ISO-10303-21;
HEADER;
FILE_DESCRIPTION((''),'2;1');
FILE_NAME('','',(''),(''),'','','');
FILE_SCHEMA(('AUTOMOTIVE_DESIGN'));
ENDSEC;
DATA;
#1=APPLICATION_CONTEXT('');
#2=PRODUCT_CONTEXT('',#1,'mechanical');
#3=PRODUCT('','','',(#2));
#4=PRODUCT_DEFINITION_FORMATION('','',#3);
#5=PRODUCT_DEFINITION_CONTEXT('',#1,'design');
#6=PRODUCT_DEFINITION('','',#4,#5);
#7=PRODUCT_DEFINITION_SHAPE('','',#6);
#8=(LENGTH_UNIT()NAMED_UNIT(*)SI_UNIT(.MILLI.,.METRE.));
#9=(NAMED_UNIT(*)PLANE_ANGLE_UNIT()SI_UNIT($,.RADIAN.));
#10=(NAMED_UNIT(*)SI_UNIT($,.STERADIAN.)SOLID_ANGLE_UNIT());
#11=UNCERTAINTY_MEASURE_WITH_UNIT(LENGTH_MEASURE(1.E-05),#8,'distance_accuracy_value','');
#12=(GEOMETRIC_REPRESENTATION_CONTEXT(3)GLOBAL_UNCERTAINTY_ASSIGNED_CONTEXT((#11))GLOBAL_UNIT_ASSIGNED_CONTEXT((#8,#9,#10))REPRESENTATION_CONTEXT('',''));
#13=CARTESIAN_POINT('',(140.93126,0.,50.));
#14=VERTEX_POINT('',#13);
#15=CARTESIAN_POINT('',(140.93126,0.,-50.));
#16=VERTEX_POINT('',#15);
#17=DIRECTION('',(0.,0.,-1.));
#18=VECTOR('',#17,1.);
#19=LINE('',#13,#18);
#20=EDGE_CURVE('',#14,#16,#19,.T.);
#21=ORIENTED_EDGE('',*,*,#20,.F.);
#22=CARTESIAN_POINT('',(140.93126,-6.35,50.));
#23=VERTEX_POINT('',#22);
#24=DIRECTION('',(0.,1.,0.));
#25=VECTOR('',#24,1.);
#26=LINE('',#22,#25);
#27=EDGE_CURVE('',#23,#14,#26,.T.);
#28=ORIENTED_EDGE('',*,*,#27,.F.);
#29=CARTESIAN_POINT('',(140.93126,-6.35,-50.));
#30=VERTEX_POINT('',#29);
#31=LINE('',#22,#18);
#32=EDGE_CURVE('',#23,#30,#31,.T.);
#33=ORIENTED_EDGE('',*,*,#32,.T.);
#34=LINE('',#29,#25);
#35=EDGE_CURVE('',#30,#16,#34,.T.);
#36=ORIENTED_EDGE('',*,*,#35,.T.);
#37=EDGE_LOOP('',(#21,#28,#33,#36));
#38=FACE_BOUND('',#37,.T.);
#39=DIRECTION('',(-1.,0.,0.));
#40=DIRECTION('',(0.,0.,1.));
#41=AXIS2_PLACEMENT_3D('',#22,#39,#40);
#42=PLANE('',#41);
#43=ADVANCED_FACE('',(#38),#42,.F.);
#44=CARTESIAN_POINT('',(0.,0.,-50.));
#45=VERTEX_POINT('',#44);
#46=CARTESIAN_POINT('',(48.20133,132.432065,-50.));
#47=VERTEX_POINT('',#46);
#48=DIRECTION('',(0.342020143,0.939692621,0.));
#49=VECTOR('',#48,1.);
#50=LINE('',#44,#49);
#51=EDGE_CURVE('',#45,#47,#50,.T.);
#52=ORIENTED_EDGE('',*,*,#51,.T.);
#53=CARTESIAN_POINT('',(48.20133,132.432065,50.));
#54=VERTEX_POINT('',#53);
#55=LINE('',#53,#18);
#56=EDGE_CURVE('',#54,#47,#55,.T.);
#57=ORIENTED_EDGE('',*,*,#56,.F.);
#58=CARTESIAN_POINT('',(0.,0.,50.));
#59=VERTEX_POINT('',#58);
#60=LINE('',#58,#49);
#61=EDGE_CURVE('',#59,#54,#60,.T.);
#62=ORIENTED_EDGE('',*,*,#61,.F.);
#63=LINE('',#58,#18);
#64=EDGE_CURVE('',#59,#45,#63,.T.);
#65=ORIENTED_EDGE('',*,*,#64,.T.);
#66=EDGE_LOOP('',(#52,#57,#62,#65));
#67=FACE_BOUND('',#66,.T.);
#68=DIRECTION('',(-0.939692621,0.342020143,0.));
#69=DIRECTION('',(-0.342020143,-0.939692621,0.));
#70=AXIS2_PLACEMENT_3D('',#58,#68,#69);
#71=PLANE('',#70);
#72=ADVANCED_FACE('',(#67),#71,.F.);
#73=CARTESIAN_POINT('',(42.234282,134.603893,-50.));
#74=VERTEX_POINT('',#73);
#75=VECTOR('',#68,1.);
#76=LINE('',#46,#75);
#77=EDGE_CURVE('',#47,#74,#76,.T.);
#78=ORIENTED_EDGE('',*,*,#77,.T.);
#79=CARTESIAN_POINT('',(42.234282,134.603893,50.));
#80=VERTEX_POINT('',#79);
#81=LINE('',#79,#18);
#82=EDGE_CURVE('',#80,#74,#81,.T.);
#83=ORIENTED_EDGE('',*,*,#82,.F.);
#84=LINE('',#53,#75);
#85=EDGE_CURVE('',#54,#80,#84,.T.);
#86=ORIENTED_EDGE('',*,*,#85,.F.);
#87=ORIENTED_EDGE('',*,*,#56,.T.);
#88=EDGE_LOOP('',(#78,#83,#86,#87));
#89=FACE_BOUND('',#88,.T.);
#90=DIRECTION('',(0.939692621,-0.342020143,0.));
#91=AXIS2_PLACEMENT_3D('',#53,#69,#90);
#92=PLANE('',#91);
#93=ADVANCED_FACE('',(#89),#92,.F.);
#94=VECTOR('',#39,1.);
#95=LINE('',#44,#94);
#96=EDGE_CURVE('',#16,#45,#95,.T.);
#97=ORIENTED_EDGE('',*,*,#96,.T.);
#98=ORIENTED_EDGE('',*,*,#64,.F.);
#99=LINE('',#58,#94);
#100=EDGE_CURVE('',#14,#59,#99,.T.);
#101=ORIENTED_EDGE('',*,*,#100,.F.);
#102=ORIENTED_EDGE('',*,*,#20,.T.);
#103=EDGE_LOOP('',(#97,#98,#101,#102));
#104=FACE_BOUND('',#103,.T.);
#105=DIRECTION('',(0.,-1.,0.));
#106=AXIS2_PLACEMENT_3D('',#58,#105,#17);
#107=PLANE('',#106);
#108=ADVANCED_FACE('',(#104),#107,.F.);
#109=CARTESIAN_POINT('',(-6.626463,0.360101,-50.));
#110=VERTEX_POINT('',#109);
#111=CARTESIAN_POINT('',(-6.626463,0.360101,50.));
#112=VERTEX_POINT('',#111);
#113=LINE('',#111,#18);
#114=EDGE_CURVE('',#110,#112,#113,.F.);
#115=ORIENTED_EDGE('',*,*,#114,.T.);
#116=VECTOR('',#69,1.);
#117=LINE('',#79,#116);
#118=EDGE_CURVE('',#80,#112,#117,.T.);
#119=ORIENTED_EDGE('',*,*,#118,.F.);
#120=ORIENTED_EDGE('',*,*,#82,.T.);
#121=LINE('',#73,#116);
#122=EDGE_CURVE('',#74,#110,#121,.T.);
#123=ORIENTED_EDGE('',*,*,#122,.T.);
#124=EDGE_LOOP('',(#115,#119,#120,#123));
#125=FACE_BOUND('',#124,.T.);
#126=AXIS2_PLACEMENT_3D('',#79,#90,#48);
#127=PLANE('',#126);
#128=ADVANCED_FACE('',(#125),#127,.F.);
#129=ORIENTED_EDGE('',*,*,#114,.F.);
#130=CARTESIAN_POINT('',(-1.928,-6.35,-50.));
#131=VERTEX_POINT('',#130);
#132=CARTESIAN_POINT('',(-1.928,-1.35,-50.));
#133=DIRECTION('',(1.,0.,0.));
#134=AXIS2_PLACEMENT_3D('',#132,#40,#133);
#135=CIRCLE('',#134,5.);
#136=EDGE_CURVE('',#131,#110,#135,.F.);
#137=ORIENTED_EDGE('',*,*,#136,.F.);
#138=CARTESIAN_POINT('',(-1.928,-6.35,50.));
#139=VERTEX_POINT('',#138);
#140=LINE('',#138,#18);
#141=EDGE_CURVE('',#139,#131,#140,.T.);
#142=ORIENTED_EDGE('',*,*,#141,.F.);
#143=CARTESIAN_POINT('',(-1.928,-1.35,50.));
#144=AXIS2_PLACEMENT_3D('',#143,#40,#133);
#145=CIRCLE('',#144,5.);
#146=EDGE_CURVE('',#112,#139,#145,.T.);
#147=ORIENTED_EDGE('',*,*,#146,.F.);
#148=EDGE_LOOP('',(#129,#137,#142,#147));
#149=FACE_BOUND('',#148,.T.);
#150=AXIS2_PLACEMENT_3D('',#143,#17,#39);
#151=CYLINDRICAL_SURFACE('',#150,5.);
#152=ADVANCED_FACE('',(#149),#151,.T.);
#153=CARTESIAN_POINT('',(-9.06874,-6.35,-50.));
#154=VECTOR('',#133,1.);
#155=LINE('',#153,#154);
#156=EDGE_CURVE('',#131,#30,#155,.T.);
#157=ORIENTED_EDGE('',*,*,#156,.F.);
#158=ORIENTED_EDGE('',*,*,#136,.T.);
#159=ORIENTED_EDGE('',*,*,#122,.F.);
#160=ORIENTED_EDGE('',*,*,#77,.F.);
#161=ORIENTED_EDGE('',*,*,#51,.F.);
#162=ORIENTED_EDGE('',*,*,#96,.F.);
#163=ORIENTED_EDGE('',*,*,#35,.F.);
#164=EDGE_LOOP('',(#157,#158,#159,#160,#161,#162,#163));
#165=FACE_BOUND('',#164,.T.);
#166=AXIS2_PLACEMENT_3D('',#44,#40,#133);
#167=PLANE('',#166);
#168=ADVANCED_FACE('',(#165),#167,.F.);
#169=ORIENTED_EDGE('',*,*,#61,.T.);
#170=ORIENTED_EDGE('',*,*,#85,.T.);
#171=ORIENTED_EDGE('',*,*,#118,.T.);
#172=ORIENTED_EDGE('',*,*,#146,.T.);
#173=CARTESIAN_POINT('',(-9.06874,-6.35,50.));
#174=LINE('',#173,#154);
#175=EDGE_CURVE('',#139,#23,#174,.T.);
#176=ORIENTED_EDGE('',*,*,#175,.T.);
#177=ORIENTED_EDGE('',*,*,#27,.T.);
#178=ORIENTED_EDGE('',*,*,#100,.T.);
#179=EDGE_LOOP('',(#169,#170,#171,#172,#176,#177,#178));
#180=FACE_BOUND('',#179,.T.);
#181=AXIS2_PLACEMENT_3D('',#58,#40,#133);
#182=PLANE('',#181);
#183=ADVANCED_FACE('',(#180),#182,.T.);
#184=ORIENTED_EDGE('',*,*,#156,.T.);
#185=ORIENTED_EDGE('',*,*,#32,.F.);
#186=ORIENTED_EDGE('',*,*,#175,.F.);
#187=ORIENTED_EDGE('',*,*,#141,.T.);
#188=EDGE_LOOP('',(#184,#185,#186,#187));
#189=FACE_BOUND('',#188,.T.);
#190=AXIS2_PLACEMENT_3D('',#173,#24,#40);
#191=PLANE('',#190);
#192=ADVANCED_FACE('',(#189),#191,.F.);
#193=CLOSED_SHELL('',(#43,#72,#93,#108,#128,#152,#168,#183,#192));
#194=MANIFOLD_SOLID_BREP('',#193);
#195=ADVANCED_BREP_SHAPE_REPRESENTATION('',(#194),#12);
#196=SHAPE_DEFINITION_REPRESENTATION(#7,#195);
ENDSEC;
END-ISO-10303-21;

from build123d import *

# Parameters (mm, degrees)
BOSS_EXTRUDE1_DEPTH = 50
FILLET1_R           = 5


with BuildPart() as part:
    # Sketch1 → Boss-Extrude1 (new, symmetric)
    with BuildSketch(Plane.XY):
        Polygon((0, 0), (140.931260157, 0), (140.931260157, -6.35), (-9.068739843, -6.35), (42.234281656, 134.603893118), (48.201329798, 132.432065208), align=None)
    extrude(amount=BOSS_EXTRUDE1_DEPTH, both=True)

    # Fillet1
    fillet1_edges = [part.edges().sort_by_distance(p)[0] for p in [
        (-9.068739843, -6.35, 0),
    ]]
    fillet(fillet1_edges, radius=FILLET1_R)


solid = part.part
